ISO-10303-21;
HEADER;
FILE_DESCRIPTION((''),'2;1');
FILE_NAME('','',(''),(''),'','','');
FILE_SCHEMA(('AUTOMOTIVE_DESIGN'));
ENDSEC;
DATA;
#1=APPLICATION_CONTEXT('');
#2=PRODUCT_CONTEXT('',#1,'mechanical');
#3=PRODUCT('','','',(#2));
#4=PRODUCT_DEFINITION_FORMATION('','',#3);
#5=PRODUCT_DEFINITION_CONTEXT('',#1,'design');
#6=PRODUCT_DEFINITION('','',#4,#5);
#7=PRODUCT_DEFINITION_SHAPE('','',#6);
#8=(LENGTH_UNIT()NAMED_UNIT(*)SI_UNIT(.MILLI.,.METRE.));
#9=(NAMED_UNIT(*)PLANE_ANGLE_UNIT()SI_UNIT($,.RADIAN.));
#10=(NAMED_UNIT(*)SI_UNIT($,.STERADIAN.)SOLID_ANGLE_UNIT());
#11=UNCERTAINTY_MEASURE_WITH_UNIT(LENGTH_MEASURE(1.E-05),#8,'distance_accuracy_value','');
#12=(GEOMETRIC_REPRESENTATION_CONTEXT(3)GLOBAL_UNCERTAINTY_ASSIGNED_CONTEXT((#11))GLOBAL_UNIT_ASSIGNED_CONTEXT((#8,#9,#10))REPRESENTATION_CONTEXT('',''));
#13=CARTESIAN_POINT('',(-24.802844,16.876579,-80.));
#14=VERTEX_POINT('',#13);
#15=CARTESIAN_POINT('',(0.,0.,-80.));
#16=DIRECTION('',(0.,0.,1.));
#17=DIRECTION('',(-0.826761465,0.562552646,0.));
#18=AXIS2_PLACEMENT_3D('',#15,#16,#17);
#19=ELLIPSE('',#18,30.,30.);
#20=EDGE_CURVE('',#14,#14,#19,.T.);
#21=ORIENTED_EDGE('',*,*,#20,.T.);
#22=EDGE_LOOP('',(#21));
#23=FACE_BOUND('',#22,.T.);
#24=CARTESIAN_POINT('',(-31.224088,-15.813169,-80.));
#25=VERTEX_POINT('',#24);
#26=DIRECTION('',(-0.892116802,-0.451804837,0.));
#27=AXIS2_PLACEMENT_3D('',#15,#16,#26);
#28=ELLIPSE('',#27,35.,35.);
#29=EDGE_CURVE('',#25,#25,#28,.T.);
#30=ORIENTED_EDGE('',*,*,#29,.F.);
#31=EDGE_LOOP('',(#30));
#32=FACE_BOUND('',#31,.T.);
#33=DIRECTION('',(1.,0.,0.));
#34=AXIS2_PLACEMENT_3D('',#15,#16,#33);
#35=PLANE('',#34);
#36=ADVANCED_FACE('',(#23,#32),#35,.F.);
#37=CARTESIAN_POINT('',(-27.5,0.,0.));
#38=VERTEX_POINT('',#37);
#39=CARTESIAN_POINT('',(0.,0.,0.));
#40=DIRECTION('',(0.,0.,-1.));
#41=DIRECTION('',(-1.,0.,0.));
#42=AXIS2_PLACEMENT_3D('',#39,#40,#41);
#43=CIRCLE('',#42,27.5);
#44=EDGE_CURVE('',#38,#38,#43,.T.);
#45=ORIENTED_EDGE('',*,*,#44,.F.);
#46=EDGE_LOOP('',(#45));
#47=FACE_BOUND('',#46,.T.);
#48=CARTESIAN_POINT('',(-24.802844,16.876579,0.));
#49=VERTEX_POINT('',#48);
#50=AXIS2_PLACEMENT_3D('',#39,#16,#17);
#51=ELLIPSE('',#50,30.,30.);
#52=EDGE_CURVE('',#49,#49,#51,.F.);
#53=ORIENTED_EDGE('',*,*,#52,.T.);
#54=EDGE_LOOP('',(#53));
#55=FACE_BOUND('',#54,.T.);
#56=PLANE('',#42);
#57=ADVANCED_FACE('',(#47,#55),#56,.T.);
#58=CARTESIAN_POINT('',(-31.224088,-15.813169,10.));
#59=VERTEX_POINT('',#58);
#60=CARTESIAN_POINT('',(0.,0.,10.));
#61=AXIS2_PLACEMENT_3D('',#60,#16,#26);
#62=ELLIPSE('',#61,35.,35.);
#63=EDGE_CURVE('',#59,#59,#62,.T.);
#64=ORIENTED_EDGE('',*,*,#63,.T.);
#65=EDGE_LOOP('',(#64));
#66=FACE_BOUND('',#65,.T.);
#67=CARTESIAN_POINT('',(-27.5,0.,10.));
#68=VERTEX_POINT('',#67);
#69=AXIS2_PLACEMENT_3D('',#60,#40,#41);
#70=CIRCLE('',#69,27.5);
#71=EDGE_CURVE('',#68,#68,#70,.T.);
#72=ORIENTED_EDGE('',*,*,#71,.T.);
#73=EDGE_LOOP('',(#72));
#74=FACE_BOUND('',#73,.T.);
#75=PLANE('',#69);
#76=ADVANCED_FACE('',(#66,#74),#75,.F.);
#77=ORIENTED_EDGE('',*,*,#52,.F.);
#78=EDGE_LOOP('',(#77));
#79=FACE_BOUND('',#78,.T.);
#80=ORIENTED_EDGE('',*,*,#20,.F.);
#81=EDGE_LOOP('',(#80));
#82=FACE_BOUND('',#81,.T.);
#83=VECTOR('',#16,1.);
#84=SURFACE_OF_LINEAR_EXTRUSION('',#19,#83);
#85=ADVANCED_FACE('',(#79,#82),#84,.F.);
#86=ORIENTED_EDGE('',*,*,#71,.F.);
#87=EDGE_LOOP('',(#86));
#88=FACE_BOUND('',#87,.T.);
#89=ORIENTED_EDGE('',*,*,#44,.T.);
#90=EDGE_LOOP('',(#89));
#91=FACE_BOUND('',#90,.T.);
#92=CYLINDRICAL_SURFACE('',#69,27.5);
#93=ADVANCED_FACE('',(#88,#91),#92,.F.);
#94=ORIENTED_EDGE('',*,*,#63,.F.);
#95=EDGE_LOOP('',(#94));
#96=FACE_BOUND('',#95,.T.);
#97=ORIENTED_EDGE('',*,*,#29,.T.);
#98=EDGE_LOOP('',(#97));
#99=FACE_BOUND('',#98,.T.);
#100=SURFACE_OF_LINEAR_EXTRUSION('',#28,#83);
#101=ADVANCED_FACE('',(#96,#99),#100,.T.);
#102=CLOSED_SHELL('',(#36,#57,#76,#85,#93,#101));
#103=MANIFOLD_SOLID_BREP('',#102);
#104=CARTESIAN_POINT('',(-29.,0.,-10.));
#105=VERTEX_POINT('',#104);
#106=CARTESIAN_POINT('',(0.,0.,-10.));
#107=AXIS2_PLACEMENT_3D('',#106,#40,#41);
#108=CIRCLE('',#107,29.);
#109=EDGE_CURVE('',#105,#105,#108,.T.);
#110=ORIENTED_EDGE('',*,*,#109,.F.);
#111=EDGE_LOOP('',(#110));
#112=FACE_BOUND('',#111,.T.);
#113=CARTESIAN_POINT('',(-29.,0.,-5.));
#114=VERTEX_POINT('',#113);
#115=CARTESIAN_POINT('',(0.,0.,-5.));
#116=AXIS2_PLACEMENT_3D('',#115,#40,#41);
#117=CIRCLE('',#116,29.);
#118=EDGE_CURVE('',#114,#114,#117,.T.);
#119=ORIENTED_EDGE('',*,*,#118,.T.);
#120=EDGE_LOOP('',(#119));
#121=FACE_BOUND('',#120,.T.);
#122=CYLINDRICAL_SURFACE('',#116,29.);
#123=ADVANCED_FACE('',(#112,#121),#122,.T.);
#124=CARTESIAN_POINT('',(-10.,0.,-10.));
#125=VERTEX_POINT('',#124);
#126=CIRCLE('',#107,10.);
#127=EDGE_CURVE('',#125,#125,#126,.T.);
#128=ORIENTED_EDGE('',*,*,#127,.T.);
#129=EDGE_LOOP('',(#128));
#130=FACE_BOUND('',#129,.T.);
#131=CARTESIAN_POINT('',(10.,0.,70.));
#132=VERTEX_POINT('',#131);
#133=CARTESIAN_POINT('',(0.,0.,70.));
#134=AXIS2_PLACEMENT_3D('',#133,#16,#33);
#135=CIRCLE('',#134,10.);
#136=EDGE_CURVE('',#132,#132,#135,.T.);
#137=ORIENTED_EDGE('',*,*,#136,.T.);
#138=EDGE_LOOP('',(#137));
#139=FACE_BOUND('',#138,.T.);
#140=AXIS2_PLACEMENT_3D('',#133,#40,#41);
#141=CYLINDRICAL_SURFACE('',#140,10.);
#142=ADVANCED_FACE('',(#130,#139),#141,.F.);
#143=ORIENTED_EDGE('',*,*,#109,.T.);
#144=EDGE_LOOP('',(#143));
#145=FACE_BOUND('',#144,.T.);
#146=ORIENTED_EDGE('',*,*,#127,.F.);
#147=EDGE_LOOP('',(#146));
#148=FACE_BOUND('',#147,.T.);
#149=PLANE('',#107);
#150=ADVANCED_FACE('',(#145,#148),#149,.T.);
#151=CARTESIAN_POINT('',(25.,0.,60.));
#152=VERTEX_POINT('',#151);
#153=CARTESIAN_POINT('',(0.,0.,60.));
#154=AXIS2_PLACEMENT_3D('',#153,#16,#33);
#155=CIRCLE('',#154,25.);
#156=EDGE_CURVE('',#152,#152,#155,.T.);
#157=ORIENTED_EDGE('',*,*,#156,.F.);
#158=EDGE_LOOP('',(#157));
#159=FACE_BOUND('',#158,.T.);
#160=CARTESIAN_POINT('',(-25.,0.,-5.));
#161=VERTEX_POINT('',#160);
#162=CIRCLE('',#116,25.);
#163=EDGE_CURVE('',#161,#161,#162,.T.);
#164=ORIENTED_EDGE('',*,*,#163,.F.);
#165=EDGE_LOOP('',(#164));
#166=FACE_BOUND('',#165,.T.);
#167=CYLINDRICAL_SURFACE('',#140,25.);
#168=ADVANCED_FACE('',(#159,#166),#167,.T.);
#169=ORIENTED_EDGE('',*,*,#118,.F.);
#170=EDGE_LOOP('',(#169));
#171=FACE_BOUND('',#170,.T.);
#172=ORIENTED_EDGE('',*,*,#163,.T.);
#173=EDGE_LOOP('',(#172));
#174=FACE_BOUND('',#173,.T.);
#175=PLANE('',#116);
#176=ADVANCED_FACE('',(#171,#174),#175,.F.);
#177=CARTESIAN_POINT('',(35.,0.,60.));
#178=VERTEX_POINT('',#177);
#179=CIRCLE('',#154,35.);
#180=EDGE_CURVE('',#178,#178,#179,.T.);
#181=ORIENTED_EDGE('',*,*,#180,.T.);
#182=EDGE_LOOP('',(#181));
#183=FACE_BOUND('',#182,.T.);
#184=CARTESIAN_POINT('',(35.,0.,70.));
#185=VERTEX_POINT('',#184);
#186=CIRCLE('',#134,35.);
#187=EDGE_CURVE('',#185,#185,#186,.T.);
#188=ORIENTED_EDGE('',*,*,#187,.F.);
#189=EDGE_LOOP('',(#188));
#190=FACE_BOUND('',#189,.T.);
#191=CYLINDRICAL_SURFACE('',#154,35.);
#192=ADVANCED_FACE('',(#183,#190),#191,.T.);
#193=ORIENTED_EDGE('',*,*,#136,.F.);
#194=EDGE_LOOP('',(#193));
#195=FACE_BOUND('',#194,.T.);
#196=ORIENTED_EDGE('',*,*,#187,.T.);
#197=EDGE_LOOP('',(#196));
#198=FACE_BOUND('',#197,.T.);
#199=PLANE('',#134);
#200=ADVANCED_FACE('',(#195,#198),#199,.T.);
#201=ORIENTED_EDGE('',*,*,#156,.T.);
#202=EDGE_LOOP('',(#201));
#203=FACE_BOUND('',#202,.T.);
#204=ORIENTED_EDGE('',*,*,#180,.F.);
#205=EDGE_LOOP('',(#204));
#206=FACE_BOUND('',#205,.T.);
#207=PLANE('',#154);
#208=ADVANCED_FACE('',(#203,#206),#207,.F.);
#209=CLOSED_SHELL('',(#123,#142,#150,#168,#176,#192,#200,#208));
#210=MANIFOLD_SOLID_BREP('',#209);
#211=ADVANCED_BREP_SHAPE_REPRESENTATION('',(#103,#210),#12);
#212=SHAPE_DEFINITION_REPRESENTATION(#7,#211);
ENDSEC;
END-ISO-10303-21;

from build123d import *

# Parameters (mm, degrees)
CROQUIS1_R              = 25
CROQUIS1_R_2            = 10
SALIENTE_EXTRUIR1_DEPTH = 70
CROQUIS3_R              = 35
CROQUIS3_R_2            = 25
SALIENTE_EXTRUIR2_DEPTH = 10
CROQUIS4_R              = 30
CROQUIS4_R_2            = 27.5
SALIENTE_EXTRUIR3_DEPTH = 10
CROQUIS6_RX             = 35
CROQUIS6_RY             = 35
CROQUIS6_RX_2           = 30
CROQUIS6_RY_2           = 30
SALIENTE_EXTRUIR4_DEPTH = 90
CROQUIS7_R              = 25
CROQUIS7_R_2            = 10
SALIENTE_EXTRUIR5_DEPTH = 10
CROQUIS8_R              = 29
CROQUIS8_R_2            = 25
SALIENTE_EXTRUIR6_DEPTH = 5


with BuildPart() as part:
    # Croquis1 → Saliente-Extruir1 (new body)
    with BuildSketch(Plane.XY):
        Circle(CROQUIS1_R)
        Circle(CROQUIS1_R_2, mode=Mode.SUBTRACT)
    extrude(amount=SALIENTE_EXTRUIR1_DEPTH)

    # Croquis3 → Saliente-Extruir2 (add)
    with BuildSketch(Plane.XY.offset(70)):
        Circle(CROQUIS3_R)
        Circle(CROQUIS3_R_2, mode=Mode.SUBTRACT)
    extrude(amount=-SALIENTE_EXTRUIR2_DEPTH)

    # Croquis7 → Saliente-Extruir5 (add)
    with BuildSketch(Plane(origin=(0, 0, 0), x_dir=(-1, 0, 0), z_dir=(0, 0, -1))):
        Circle(CROQUIS7_R)
        Circle(CROQUIS7_R_2, mode=Mode.SUBTRACT)
    extrude(amount=SALIENTE_EXTRUIR5_DEPTH)

    # Croquis8 → Saliente-Extruir6 (add)
    with BuildSketch(Plane(origin=(0, 0, -10), x_dir=(-1, 0, 0), z_dir=(0, 0, -1))):
        Circle(CROQUIS8_R)
        Circle(CROQUIS8_R_2, mode=Mode.SUBTRACT)
    extrude(amount=-SALIENTE_EXTRUIR6_DEPTH)


with BuildPart() as body_2:
    # Croquis4 → Saliente-Extruir3 (new body)
    with BuildSketch(Plane(origin=(0, 0, 0), x_dir=(-1, 0, 0), z_dir=(0, 0, -1))):
        Circle(CROQUIS4_R)
        Circle(CROQUIS4_R_2, mode=Mode.SUBTRACT)
    extrude(amount=-SALIENTE_EXTRUIR3_DEPTH)

    # Croquis6 → Saliente-Extruir4 (add)
    with BuildSketch(Plane.XY.offset(10)):
        with Locations(Location((0, 0), (0, 0, -153.140460488))):
            Ellipse(CROQUIS6_RX, CROQUIS6_RY)
        with Locations(Location((0, 0), (0, 0, 145.767485293))):
            Ellipse(CROQUIS6_RX_2, CROQUIS6_RY_2, mode=Mode.SUBTRACT)
    extrude(amount=-SALIENTE_EXTRUIR4_DEPTH)


solid = Compound([part.part, body_2.part])
